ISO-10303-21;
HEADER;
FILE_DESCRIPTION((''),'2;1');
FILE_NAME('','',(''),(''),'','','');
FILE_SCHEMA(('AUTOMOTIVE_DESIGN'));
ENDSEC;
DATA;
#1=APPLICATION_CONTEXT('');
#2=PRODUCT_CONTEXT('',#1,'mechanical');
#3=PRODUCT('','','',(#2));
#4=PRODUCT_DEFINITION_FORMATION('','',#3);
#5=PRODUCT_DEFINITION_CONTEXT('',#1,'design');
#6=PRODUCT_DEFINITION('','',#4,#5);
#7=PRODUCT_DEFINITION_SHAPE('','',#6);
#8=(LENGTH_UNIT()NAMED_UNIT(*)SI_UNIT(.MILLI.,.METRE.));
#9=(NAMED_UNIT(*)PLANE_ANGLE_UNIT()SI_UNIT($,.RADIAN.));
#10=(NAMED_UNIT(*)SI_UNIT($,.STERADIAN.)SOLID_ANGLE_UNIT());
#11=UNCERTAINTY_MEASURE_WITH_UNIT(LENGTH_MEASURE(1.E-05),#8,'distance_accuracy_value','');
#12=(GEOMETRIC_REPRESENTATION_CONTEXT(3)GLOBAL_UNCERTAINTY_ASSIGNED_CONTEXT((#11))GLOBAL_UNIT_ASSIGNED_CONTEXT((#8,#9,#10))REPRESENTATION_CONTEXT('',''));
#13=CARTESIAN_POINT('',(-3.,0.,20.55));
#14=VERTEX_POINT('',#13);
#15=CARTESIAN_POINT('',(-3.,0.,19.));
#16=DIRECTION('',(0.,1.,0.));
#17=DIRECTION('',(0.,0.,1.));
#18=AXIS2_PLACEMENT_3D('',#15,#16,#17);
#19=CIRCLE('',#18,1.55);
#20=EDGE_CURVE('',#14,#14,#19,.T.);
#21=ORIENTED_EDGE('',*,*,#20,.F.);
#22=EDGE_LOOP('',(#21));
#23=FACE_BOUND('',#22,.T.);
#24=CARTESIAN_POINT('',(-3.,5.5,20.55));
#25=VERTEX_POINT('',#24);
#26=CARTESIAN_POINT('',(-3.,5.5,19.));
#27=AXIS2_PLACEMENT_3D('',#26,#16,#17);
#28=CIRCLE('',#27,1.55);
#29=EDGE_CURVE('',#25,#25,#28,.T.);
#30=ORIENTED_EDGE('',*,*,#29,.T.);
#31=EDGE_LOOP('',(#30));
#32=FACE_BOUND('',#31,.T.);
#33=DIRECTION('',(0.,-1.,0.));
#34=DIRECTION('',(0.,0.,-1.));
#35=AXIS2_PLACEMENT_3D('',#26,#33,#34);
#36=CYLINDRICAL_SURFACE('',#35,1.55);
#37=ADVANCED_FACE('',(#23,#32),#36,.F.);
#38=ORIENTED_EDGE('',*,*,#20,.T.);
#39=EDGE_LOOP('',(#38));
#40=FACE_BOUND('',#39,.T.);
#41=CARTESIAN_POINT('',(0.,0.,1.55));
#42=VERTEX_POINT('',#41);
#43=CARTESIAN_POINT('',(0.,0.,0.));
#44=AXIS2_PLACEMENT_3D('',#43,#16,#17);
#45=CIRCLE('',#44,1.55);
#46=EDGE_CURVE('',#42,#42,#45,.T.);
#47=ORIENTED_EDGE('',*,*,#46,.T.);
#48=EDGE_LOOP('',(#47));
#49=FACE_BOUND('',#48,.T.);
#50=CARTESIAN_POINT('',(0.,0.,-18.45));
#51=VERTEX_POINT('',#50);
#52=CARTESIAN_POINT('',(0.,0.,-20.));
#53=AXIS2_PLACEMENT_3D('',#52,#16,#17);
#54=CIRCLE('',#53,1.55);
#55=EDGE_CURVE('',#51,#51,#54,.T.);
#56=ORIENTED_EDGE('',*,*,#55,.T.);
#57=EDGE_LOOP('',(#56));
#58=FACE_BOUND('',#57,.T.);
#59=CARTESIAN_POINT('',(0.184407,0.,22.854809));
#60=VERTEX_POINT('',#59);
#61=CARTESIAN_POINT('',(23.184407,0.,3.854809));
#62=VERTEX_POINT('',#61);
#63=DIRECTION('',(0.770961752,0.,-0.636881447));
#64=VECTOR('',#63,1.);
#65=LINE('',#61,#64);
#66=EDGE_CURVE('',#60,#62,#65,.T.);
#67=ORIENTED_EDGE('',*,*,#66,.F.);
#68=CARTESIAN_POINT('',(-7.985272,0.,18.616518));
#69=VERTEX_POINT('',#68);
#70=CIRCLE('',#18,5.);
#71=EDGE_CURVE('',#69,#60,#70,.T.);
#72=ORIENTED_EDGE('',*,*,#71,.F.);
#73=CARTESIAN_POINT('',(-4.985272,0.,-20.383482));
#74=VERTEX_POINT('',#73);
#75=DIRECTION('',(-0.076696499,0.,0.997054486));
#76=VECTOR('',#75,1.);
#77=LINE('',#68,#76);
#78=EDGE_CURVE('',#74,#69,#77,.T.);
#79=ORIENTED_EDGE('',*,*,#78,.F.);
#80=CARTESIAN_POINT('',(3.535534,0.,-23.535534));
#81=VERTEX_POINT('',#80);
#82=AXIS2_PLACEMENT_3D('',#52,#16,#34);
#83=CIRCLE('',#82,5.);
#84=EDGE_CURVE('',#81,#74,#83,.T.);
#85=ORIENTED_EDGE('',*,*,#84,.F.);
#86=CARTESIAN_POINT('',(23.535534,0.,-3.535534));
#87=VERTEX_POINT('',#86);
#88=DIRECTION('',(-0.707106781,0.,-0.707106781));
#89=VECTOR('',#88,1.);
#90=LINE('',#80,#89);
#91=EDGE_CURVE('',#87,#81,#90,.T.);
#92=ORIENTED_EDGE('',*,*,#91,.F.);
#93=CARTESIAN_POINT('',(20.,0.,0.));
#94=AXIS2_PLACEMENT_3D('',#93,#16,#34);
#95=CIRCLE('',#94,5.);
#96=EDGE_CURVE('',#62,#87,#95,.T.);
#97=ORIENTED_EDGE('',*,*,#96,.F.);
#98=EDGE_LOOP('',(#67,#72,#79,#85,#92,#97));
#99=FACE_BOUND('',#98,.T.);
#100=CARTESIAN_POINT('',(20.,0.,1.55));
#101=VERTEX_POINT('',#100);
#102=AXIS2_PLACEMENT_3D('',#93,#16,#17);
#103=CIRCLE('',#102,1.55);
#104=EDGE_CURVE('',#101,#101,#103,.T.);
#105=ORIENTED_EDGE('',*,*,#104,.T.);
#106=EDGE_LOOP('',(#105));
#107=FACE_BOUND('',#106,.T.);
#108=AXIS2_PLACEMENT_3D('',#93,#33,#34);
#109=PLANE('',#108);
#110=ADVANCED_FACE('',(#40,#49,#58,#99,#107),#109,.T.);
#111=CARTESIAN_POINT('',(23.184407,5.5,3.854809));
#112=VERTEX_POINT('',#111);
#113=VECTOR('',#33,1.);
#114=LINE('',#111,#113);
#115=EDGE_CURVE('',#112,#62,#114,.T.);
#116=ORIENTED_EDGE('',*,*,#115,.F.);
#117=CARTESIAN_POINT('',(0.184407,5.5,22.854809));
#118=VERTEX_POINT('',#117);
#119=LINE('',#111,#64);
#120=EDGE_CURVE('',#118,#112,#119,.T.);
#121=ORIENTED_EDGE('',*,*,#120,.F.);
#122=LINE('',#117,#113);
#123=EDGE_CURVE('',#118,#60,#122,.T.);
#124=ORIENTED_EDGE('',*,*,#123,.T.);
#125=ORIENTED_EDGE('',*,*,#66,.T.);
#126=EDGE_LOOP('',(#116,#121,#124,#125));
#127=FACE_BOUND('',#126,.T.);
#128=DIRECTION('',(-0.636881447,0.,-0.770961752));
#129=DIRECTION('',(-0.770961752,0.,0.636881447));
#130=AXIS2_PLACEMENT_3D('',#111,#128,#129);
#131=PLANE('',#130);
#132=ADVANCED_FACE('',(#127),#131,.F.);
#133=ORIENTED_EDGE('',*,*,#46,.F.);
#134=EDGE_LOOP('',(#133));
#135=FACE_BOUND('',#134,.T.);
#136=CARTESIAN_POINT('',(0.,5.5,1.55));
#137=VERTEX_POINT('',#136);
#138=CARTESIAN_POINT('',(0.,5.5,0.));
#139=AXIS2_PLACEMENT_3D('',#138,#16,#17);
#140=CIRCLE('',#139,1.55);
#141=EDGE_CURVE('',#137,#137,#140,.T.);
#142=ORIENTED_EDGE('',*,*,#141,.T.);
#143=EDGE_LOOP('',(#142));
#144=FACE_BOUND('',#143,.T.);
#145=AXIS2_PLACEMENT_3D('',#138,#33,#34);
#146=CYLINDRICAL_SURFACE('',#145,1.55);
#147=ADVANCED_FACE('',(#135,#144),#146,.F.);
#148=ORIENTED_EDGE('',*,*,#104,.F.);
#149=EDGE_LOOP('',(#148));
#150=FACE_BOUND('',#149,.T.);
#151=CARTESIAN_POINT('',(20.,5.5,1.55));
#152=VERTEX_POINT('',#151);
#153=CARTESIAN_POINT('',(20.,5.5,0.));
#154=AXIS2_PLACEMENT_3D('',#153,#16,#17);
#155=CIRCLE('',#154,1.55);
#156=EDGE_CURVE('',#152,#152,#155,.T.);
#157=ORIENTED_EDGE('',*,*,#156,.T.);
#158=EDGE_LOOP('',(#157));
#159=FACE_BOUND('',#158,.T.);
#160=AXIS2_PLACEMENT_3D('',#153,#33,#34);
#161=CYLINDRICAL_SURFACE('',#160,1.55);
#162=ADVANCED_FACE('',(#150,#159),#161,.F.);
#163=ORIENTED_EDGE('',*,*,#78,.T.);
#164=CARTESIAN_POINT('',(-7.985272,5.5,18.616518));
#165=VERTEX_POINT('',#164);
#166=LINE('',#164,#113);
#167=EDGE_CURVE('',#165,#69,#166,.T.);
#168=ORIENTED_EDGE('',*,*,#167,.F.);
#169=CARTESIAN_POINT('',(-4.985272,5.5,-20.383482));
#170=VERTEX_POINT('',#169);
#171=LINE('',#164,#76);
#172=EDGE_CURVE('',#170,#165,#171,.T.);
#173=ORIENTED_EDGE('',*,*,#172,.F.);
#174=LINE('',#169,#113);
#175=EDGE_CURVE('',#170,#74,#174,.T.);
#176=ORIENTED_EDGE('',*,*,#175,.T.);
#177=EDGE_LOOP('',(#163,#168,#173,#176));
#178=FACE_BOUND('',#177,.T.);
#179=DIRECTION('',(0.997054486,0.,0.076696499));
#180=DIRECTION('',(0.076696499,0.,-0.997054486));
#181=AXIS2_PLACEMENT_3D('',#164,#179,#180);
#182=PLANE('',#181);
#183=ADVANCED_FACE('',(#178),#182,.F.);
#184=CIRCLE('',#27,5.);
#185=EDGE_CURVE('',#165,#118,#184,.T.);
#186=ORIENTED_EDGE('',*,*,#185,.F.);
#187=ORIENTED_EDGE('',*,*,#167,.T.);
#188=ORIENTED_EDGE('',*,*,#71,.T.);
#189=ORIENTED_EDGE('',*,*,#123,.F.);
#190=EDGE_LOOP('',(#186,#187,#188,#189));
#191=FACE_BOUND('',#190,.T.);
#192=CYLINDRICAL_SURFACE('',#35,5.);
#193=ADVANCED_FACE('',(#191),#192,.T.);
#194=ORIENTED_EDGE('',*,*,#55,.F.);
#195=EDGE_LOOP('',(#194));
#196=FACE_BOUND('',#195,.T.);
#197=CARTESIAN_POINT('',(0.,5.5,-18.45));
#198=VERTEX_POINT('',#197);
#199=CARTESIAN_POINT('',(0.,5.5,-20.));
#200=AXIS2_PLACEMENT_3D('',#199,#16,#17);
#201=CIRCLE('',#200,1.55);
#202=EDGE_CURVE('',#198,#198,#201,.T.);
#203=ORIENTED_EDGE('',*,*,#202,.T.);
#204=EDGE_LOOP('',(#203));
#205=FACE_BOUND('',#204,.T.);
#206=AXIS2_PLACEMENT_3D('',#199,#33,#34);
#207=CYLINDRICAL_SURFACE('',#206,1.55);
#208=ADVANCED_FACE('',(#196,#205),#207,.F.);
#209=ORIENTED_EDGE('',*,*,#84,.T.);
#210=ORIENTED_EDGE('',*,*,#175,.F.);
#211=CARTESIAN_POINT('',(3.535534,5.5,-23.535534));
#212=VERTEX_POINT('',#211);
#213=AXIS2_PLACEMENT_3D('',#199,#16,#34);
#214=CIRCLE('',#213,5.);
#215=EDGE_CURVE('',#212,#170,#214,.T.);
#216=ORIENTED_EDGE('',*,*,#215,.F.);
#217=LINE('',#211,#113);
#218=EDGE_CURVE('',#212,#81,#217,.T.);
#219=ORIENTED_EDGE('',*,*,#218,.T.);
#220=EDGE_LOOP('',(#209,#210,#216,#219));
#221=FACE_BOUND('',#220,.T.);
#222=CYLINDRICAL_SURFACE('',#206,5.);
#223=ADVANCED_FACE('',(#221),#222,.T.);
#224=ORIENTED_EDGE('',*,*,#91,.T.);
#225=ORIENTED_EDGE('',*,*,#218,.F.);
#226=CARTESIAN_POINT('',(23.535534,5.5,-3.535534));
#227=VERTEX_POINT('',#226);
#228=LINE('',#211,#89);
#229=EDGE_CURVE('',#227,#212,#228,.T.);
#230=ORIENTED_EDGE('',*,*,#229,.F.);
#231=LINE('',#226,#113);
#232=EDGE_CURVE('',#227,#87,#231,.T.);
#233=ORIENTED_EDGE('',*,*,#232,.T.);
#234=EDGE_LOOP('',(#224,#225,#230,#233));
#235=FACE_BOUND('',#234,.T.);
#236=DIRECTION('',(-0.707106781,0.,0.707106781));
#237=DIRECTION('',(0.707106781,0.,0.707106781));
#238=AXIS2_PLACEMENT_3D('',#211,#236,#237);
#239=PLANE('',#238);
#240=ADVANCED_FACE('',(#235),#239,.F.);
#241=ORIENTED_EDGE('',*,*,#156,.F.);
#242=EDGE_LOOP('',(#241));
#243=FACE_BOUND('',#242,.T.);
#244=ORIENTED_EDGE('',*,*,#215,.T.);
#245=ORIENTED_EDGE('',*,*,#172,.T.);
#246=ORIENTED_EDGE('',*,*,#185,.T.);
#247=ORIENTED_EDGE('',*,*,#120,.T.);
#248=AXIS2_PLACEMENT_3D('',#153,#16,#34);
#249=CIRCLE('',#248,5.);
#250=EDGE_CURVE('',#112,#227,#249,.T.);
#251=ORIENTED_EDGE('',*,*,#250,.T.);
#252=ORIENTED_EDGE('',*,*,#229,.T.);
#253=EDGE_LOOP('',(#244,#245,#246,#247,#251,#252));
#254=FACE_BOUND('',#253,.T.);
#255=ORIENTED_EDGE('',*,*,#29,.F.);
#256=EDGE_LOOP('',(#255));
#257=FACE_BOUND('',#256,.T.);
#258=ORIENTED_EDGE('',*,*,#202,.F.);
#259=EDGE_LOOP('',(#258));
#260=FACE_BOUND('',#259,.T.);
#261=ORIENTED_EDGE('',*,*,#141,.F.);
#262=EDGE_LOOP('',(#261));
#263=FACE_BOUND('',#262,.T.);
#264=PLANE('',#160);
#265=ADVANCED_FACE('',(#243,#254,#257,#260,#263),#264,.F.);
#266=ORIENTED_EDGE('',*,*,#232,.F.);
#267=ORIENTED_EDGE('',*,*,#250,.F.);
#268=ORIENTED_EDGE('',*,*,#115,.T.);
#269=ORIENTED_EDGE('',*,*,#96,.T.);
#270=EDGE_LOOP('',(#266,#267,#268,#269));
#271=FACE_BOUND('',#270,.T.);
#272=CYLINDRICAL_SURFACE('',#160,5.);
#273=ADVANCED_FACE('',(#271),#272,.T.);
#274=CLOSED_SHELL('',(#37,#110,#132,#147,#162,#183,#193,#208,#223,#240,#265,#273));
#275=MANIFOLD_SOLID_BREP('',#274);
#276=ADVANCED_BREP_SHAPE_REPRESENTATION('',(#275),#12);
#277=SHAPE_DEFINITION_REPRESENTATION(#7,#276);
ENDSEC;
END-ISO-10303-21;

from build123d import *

# Parameters (mm, degrees)
SKETCH_1_R      = 1.55
EXTRUDE_1_DEPTH = 5.5


with BuildPart() as part:
    # ｽｹｯﾁ1 → ﾎﾞｽ - 押し出し1 (new body)
    with BuildSketch(Plane(origin=(0, 0, 0), x_dir=(1, 0, 0), z_dir=(0, 1, 0))):
        with BuildLine():
            Line((-7.985272428, -18.616517506), (-4.985272428, 20.383482494))
            ThreePointArc((-4.985272428, 20.383482494), (-1.734731239, 24.689425075), (3.535533906, 23.535533906))
            Line((3.535533906, 23.535533906), (23.535533906, 3.535533906))
            ThreePointArc((23.535533906, 3.535533906), (24.994366167, -0.237290102), (23.184407235, -3.854808758))
            Line((23.184407235, -3.854808758), (0.184407235, -22.854808758))
            ThreePointArc((0.184407235, -22.854808758), (-5.302511031, -23.438292797), (-7.985272428, -18.616517506))
        make_face()
        with Locations(Location((0, 20, 0), (0, 0, 270))):
            Circle(SKETCH_1_R, mode=Mode.SUBTRACT)
        with Locations(Location((0, 0, 0), (0, 0, 270))):
            Circle(SKETCH_1_R, mode=Mode.SUBTRACT)
        with Locations(Location((20, 0, 0), (0, 0, 270))):
            Circle(SKETCH_1_R, mode=Mode.SUBTRACT)
        with Locations(Location((-3, -19, 0), (0, 0, 270))):
            Circle(SKETCH_1_R, mode=Mode.SUBTRACT)
    extrude(amount=EXTRUDE_1_DEPTH)


solid = part.part
